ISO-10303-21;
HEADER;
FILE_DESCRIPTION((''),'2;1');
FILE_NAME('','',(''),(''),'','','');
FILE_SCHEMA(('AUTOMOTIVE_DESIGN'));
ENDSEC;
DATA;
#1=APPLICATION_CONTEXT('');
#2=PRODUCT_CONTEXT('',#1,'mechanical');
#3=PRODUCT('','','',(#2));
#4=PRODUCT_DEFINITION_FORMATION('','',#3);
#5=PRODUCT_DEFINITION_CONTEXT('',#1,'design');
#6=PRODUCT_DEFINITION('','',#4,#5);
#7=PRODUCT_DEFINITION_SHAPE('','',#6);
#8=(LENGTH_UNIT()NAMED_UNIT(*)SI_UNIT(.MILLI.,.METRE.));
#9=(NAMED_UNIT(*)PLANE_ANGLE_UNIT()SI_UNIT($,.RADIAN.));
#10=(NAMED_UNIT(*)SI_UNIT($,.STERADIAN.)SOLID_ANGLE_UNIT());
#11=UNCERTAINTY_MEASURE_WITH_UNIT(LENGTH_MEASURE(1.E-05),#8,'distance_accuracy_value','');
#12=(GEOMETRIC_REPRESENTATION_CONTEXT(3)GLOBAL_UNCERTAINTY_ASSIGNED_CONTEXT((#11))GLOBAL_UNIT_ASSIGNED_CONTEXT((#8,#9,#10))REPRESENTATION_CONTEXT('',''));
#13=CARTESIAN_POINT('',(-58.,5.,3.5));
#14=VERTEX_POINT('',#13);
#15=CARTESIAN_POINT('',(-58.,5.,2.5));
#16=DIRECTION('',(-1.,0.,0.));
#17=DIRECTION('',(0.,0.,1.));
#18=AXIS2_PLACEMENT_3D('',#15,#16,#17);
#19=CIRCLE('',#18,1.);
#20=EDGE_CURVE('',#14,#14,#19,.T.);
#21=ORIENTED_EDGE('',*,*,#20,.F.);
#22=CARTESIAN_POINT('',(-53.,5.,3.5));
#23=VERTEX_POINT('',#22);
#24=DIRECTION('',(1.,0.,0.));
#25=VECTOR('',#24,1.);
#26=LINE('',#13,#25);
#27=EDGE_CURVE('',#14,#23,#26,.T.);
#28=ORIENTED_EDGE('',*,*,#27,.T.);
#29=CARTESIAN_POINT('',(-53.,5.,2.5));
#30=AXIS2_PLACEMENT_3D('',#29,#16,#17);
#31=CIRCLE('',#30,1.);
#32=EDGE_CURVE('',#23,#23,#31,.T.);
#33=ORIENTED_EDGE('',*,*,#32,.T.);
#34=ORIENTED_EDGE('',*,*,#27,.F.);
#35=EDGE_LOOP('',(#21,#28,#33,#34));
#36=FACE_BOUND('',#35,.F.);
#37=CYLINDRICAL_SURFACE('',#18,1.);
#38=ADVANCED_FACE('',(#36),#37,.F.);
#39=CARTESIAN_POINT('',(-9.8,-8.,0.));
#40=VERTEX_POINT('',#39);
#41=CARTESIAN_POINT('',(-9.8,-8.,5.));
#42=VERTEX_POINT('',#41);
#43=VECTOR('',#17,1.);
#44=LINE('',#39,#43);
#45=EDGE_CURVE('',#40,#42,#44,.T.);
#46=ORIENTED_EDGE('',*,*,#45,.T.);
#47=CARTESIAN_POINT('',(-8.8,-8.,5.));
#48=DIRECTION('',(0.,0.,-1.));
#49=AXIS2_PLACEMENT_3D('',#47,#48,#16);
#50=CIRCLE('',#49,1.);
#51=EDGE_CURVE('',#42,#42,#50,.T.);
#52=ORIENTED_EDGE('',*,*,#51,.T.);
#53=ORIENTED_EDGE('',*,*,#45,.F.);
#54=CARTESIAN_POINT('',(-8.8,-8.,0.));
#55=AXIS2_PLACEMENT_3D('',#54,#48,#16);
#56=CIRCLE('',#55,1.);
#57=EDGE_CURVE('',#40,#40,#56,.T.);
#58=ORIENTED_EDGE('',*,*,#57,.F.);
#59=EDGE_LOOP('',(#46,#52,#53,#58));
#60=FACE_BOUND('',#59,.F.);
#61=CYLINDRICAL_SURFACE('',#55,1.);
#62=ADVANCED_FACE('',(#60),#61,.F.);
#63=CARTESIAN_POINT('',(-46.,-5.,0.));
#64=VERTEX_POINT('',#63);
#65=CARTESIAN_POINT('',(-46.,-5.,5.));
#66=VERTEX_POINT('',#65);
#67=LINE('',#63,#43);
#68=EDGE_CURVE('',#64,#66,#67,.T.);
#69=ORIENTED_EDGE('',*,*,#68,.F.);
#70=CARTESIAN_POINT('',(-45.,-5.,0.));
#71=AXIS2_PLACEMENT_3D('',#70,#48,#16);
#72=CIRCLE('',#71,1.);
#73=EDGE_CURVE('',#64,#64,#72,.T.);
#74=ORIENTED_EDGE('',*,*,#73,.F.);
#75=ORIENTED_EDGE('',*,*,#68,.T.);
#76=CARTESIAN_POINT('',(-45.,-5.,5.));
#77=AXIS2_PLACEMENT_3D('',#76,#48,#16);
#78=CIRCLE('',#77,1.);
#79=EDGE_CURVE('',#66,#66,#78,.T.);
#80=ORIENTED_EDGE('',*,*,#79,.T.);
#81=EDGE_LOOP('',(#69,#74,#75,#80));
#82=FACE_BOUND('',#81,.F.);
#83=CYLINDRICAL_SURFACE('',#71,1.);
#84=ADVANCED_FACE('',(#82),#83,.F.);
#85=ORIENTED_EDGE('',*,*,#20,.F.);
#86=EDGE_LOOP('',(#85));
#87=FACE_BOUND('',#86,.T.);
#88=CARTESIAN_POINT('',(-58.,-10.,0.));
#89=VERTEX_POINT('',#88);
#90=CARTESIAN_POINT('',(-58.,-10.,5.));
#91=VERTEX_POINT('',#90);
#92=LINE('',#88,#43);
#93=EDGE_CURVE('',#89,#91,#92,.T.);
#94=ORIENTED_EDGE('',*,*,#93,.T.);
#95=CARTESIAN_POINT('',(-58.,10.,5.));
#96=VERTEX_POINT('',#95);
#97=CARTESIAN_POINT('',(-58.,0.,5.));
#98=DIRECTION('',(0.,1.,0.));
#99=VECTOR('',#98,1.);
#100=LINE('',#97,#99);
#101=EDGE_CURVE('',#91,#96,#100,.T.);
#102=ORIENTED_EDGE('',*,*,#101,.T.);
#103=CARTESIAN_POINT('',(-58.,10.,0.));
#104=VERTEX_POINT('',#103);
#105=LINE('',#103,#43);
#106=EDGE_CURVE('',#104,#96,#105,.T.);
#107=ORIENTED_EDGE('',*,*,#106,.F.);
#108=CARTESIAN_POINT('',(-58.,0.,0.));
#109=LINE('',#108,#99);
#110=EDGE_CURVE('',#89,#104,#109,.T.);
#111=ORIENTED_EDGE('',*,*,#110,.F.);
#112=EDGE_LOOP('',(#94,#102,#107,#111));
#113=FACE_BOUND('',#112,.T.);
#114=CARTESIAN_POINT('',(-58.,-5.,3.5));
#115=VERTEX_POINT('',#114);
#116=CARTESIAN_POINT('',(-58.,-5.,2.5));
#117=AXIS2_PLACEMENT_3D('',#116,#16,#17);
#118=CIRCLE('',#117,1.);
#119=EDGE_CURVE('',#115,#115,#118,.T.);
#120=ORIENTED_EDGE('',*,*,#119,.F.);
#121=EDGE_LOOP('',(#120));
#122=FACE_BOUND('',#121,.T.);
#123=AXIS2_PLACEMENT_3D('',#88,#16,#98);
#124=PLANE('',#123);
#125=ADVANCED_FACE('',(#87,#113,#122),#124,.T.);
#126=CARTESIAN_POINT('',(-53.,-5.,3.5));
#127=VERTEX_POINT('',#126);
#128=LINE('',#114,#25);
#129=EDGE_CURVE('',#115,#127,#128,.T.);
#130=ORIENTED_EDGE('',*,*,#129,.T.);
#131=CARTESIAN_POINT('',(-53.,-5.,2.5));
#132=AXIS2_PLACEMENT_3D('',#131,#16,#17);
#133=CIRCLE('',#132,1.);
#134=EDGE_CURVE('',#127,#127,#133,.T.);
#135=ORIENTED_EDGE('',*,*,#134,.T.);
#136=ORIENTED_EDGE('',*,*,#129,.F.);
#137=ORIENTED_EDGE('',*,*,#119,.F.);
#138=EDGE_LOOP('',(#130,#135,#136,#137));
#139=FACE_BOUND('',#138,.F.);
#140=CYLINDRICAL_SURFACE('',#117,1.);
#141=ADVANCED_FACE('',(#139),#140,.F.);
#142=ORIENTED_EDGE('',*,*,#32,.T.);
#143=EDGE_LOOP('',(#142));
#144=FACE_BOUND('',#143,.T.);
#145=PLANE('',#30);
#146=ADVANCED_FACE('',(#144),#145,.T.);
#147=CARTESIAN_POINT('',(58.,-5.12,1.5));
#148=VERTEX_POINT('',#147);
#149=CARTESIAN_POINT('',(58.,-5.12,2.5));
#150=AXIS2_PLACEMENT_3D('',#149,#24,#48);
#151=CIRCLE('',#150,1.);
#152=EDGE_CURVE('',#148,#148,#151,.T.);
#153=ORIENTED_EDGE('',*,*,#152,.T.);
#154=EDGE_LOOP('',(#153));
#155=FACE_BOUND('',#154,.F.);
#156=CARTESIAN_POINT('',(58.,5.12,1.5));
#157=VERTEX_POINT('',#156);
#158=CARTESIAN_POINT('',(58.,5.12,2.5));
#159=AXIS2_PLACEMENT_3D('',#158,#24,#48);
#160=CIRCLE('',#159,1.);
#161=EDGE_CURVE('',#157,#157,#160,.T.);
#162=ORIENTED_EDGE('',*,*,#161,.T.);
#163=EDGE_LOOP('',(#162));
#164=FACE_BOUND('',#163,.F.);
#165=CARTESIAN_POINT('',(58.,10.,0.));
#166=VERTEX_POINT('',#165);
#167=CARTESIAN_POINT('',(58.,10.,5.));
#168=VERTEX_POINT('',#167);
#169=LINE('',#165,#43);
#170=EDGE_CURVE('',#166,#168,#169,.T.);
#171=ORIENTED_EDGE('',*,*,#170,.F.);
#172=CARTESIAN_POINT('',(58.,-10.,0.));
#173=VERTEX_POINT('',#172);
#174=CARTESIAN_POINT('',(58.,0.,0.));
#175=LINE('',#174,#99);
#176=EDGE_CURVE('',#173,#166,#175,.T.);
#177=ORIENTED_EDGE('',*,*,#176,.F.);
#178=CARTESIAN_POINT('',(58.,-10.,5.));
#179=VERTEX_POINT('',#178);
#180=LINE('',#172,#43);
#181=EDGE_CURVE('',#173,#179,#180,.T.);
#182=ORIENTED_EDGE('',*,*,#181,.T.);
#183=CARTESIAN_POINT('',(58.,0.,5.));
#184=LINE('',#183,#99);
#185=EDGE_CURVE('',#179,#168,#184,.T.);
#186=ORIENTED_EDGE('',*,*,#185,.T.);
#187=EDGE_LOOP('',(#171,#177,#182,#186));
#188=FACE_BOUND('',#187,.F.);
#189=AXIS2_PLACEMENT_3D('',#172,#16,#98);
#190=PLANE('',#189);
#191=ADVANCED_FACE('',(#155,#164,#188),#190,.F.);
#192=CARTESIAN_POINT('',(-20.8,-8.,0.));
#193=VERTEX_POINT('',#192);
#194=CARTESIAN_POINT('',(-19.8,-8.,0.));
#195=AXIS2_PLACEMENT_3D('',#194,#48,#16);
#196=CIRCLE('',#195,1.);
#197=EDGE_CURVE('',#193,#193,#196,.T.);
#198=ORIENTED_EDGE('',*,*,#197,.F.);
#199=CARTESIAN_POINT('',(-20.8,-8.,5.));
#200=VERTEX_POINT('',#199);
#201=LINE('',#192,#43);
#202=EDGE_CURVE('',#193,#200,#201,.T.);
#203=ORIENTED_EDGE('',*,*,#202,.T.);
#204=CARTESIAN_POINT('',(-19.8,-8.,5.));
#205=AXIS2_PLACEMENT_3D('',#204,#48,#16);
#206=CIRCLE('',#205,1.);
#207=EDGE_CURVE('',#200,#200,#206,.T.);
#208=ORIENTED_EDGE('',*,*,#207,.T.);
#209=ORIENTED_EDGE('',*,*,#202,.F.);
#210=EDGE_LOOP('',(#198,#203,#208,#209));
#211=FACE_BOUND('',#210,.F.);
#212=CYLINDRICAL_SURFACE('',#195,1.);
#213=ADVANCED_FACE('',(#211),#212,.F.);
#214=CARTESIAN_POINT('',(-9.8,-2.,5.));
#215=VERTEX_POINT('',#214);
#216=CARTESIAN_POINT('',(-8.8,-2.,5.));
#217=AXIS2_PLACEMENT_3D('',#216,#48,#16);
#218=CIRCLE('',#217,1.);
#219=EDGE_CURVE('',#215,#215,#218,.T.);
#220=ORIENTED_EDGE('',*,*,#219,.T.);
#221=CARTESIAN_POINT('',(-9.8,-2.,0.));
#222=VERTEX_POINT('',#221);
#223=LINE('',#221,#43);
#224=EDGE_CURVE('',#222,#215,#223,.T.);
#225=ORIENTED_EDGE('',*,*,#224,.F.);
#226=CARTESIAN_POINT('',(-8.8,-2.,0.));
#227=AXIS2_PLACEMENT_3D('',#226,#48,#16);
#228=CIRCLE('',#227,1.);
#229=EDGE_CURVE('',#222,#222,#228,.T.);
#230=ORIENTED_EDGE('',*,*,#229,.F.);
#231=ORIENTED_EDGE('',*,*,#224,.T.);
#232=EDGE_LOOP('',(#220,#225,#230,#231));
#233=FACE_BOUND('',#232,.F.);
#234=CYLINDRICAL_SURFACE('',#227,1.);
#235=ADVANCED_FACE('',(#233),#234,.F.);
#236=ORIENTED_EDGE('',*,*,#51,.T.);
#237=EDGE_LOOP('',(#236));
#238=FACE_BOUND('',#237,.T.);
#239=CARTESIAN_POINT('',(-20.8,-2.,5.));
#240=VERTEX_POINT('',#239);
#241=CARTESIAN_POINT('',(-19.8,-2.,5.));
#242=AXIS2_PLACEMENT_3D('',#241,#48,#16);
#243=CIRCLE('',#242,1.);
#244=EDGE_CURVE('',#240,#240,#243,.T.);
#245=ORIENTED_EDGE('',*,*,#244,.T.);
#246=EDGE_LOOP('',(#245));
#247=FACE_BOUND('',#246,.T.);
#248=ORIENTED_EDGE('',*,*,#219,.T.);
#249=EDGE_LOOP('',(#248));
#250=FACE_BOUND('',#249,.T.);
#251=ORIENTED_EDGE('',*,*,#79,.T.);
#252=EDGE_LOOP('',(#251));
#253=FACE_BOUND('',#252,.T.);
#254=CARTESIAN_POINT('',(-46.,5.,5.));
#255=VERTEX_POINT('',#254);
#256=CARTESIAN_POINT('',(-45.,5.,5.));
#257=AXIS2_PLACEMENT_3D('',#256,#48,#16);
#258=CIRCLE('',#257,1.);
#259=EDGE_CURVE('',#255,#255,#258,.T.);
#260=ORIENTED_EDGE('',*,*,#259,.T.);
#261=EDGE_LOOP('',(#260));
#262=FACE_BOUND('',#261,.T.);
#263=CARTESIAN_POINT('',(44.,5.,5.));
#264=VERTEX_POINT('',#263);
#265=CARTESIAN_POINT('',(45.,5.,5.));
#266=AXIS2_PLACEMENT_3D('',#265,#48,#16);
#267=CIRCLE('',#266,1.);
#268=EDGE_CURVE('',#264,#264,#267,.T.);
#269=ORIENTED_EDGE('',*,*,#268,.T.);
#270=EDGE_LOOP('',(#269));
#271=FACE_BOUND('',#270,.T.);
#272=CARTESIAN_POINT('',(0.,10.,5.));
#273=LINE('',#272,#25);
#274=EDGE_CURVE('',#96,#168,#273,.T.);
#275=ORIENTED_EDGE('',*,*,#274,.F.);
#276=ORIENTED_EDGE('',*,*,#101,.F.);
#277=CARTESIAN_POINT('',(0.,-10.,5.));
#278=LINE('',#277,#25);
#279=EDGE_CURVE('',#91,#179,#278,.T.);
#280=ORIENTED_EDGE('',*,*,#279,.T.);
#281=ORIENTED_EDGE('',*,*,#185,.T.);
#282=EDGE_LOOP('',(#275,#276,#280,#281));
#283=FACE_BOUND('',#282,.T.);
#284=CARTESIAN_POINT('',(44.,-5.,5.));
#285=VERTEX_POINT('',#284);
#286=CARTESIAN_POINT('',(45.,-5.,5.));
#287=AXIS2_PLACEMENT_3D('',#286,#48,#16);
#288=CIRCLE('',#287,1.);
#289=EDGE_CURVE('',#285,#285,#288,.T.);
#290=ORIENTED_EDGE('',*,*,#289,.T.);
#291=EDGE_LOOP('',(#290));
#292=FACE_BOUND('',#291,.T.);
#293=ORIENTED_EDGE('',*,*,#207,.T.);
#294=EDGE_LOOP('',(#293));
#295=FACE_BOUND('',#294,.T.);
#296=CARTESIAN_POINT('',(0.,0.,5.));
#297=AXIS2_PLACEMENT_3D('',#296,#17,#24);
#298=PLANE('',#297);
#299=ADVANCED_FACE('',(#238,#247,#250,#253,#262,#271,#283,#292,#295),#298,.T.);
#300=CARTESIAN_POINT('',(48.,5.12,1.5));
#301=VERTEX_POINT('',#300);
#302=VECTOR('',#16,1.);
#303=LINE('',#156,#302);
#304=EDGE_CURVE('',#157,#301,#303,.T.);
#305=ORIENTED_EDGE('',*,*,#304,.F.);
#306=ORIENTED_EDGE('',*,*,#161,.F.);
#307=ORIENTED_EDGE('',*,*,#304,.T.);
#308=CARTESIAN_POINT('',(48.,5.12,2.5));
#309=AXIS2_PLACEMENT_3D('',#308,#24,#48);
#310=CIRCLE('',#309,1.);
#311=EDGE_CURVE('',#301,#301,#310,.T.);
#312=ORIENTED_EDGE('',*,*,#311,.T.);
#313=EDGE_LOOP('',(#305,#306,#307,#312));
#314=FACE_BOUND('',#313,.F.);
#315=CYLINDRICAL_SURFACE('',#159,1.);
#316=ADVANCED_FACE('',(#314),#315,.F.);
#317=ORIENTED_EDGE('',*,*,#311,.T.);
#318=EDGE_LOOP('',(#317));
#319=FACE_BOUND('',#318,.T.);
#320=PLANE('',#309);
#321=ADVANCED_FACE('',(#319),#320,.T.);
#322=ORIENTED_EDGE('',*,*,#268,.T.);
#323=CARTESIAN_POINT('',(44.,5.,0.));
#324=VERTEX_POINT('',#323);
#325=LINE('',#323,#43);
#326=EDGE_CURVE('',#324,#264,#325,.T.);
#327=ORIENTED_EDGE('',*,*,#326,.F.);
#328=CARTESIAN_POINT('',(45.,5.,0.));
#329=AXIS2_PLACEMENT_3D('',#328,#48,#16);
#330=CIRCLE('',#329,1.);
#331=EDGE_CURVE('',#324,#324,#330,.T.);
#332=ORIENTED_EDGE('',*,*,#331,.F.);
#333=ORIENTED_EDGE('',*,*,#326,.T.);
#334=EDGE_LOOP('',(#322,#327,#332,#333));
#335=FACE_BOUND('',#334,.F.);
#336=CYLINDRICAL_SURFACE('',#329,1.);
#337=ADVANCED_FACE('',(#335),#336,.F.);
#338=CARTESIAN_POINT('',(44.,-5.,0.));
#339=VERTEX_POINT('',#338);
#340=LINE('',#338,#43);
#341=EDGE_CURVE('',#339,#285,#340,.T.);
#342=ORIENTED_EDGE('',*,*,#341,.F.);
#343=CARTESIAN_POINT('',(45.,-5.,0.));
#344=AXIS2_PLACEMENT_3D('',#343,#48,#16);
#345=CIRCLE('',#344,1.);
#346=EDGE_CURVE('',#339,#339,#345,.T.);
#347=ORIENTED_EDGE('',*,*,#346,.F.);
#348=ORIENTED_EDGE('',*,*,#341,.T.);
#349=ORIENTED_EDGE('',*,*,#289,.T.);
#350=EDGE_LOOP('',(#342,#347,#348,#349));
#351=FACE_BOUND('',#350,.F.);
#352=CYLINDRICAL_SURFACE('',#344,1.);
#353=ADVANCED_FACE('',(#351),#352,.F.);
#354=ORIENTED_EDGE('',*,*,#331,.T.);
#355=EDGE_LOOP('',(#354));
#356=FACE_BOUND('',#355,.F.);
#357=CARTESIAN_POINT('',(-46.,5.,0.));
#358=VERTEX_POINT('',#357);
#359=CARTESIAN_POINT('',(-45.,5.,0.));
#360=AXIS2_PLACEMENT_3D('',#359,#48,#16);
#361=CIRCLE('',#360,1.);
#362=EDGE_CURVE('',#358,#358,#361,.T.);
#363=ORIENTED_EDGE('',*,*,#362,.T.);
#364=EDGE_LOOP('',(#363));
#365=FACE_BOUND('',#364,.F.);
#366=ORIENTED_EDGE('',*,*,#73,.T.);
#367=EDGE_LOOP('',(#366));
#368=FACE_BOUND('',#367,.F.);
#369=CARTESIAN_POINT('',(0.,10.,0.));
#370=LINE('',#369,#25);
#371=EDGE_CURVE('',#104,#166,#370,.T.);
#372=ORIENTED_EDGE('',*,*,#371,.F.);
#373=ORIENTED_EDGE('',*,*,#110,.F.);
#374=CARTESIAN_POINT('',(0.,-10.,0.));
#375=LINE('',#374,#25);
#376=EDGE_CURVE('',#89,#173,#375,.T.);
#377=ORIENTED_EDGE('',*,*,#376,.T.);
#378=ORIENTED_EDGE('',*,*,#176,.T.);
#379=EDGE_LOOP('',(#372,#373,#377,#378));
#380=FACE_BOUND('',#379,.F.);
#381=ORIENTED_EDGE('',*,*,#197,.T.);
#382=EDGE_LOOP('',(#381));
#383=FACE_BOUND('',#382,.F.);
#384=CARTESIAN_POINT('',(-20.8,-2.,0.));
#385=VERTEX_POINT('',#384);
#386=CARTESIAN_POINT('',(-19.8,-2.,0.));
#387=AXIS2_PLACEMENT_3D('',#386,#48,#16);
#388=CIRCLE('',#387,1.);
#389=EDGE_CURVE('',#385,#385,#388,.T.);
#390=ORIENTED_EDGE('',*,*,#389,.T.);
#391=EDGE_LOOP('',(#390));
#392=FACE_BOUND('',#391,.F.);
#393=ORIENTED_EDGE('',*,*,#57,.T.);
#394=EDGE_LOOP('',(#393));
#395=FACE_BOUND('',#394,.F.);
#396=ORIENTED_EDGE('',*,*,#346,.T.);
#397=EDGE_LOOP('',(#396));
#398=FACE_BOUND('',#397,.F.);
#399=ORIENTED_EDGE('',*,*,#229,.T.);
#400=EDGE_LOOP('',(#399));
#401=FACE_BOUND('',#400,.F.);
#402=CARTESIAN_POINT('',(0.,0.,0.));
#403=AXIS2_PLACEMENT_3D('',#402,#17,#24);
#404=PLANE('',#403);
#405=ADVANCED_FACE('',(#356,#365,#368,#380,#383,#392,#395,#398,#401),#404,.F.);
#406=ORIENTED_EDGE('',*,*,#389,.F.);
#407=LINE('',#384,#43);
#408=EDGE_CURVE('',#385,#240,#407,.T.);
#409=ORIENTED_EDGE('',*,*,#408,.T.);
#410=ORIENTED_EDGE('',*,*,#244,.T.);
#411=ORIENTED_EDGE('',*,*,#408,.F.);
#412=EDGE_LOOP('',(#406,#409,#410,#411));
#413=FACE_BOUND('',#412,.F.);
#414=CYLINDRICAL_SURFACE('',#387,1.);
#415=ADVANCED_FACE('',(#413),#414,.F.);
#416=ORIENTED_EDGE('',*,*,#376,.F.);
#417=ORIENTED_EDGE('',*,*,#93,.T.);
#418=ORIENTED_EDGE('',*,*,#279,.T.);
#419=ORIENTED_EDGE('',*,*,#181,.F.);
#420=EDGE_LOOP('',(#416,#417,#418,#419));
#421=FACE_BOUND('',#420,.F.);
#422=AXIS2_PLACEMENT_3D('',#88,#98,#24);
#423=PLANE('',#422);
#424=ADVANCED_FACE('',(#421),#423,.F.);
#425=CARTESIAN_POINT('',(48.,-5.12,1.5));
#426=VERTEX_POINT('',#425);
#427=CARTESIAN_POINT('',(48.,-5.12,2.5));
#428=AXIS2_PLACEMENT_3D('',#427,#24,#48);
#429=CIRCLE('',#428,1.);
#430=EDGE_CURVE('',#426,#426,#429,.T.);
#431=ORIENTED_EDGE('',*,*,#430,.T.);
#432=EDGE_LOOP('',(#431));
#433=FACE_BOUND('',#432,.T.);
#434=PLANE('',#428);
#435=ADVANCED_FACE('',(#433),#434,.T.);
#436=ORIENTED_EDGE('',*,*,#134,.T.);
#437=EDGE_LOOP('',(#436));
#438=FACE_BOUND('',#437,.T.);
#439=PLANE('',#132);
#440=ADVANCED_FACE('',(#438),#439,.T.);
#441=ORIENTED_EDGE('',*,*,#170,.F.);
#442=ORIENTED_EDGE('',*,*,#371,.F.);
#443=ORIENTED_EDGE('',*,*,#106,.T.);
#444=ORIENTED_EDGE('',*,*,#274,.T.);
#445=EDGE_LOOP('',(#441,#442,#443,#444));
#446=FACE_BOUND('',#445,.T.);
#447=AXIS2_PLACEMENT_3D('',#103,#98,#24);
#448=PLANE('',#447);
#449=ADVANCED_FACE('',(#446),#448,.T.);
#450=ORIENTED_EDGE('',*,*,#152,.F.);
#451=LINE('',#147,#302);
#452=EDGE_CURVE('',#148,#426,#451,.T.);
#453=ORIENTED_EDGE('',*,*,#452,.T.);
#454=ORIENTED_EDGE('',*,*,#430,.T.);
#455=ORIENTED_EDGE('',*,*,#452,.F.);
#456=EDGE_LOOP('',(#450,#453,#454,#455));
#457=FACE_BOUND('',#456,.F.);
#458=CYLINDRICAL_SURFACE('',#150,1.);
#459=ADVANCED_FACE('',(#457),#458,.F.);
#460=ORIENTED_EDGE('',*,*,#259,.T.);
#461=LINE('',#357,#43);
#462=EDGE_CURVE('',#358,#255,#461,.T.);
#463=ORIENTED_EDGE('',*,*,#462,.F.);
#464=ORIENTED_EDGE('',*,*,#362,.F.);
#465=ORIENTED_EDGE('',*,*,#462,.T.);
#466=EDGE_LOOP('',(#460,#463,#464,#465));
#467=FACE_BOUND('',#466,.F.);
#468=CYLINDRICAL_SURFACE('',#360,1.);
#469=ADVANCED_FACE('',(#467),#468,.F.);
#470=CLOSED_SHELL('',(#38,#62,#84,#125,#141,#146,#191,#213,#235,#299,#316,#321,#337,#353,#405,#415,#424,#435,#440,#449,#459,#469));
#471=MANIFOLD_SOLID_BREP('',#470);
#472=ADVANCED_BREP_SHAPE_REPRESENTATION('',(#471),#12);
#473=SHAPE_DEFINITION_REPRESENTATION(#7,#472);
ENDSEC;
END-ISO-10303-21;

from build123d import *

# Parameters (mm, degrees)
SKETCH1_W           = 116
SKETCH1_H           = 20
BOSS_EXTRUDE2_DEPTH = 5
SKETCH4_R           = 1
CUT_EXTRUDE1_DEPTH  = 10
SKETCH6_R           = 1
CUT_EXTRUDE2_DEPTH  = 5
SKETCH7_R           = 1
CUT_EXTRUDE3_DEPTH  = 6
SKETCH8_R           = 1
CUT_EXTRUDE4_DEPTH  = 6


with BuildPart() as part:
    # Sketch1 → Boss-Extrude2 (new body)
    with BuildSketch(Plane.XY):
        Rectangle(SKETCH1_W, SKETCH1_H)
    extrude(amount=BOSS_EXTRUDE2_DEPTH)

    # Sketch4 → Cut-Extrude1 (cut)
    with BuildSketch(Plane(origin=(58, 0, 0), x_dir=(0, 0, -1), z_dir=(1, 0, 0))):
        with Locations((-2.5, -5.12)):
            Circle(SKETCH4_R)
        with Locations((-2.5, 5.12)):
            Circle(SKETCH4_R)
    extrude(amount=-CUT_EXTRUDE1_DEPTH, mode=Mode.SUBTRACT)

    # Sketch6 → Cut-Extrude2 (cut)
    with BuildSketch(Plane.ZY.offset(58)):
        with Locations((2.5, 5)):
            Circle(SKETCH6_R)
        with Locations((2.5, -5)):
            Circle(SKETCH6_R)
    extrude(amount=-CUT_EXTRUDE2_DEPTH, mode=Mode.SUBTRACT)

    # Sketch7 → Cut-Extrude3 (cut, through all)
    with BuildSketch(Plane(origin=(0, 0, 0), x_dir=(-1, 0, 0), z_dir=(0, 0, -1))):
        with Locations((-45, 5)):
            Circle(SKETCH7_R)
        with Locations((-45, -5)):
            Circle(SKETCH7_R)
        with Locations((45, 5)):
            Circle(SKETCH7_R)
        with Locations((45, -5)):
            Circle(SKETCH7_R)
    extrude(amount=-CUT_EXTRUDE3_DEPTH, mode=Mode.SUBTRACT)

    # Sketch8 → Cut-Extrude4 (cut, through all)
    with BuildSketch(Plane(origin=(0, 0, 0), x_dir=(-1, 0, 0), z_dir=(0, 0, -1))):
        with Locations((19.8, -8)):
            Circle(SKETCH8_R)
        with Locations((19.8, -2)):
            Circle(SKETCH8_R)
        with Locations((8.8, -2)):
            Circle(SKETCH8_R)
        with Locations((8.8, -8)):
            Circle(SKETCH8_R)
    extrude(amount=-CUT_EXTRUDE4_DEPTH, mode=Mode.SUBTRACT)


solid = part.part
